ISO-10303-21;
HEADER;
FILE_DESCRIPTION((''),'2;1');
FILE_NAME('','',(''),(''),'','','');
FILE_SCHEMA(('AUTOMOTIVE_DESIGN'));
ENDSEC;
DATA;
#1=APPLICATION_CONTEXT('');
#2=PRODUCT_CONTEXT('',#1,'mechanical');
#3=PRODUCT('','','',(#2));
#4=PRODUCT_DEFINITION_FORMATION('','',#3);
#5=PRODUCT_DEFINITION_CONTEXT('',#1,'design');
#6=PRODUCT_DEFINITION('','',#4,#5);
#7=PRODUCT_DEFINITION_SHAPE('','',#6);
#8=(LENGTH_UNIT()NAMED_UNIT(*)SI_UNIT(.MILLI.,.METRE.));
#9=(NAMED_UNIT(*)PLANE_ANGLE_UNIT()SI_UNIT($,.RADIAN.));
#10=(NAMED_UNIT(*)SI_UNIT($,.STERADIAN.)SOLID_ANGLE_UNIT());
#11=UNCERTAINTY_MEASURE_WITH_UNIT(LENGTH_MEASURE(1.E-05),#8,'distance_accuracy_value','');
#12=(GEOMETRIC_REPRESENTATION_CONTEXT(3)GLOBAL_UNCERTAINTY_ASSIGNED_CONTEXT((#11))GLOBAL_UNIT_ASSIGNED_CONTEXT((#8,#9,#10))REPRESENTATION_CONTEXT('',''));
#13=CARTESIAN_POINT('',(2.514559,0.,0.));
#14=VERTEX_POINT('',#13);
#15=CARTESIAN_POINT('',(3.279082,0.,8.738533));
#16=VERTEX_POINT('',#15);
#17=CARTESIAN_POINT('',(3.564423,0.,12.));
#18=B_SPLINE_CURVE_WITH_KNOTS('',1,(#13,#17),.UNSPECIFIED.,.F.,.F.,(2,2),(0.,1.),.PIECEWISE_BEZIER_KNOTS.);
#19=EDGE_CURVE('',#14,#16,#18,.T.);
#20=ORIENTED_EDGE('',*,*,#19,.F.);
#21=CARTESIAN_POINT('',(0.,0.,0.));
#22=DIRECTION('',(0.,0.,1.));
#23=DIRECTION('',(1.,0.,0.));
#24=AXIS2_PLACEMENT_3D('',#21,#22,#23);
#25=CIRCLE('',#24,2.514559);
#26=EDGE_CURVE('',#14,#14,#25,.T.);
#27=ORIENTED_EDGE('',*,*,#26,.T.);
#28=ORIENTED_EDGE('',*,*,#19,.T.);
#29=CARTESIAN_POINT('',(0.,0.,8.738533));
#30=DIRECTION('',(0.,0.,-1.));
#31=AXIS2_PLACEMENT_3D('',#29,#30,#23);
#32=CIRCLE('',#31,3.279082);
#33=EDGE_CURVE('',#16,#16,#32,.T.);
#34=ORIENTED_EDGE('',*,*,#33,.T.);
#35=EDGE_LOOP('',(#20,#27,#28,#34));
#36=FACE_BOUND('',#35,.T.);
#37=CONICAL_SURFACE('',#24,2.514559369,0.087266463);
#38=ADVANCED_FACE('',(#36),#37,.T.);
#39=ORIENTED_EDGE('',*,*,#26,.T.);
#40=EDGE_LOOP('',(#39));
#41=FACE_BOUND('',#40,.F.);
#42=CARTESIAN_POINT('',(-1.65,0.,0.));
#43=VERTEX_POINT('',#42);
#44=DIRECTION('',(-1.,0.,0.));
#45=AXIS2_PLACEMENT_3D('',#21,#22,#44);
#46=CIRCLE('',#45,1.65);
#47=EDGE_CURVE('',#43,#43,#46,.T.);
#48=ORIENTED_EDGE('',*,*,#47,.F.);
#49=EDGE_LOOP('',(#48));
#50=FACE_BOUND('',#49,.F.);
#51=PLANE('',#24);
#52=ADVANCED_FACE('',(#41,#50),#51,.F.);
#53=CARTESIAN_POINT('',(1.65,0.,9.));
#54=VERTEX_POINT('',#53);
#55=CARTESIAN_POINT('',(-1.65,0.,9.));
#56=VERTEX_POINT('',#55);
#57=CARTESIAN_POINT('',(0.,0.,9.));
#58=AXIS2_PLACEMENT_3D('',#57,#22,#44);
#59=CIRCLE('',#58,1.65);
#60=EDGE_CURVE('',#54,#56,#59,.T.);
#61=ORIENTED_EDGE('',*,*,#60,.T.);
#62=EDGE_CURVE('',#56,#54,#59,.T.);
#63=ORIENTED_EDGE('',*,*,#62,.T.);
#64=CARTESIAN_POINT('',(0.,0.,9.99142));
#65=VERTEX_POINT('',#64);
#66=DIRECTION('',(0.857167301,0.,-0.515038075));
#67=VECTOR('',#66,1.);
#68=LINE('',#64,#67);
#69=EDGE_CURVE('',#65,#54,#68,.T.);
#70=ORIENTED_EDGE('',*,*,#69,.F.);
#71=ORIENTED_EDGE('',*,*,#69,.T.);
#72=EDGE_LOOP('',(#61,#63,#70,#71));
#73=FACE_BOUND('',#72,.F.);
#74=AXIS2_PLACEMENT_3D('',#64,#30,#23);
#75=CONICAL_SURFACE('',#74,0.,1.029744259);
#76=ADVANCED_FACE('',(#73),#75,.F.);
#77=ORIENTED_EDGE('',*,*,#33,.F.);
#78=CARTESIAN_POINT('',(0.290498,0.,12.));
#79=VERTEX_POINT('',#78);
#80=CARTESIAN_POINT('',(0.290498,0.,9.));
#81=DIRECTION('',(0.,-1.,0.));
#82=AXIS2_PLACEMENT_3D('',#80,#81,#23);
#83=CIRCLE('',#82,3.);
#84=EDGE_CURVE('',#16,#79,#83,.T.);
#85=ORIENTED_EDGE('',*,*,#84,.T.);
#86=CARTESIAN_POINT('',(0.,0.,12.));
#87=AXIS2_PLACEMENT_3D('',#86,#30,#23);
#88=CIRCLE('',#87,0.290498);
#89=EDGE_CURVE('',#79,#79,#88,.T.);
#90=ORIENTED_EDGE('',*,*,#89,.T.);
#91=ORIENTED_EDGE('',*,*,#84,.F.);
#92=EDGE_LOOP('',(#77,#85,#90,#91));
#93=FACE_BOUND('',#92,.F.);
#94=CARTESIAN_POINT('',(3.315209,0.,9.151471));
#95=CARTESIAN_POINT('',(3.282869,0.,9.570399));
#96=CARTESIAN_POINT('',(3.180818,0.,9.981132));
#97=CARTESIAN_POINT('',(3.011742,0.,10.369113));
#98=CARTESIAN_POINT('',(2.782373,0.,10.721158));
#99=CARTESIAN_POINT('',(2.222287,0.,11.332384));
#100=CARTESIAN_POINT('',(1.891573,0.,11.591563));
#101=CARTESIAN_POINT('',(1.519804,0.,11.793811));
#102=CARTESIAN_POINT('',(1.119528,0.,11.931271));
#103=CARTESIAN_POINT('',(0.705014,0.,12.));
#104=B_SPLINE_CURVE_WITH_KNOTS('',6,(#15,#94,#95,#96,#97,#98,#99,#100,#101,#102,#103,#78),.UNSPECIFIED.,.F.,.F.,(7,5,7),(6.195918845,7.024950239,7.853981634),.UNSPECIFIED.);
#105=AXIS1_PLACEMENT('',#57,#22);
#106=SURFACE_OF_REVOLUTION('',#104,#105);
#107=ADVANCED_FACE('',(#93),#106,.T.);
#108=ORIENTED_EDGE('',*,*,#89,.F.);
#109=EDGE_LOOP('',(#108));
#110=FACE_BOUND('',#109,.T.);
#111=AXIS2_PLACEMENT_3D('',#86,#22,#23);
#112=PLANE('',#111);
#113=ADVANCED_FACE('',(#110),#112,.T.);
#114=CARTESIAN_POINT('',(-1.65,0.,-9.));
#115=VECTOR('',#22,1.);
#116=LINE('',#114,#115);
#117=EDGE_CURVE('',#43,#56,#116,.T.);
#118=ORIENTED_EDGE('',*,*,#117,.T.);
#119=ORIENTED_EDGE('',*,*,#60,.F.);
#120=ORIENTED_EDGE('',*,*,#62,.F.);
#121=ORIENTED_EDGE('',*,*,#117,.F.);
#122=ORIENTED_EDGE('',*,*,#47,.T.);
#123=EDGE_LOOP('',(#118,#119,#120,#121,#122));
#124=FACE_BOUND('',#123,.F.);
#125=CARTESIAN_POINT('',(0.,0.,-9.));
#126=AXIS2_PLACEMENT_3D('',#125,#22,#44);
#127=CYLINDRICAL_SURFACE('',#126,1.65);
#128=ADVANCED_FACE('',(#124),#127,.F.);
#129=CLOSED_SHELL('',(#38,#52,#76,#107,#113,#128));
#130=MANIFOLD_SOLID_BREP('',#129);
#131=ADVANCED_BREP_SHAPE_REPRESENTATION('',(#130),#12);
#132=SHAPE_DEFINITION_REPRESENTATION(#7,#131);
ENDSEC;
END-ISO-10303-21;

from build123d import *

# Parameters (mm, degrees)
F0_R     = 2.514559369
F1_DEPTH = 12
F1_TAPER = -5
F2_R     = 3
F4_D     = 3.3
F4_DEPTH = 9
F4_TIP   = 0.9914200214


with BuildPart() as f1:
    # F0 (on Top) → F1 (new body)
    with BuildSketch(Plane.XY):
        Circle(F0_R)
    extrude(amount=F1_DEPTH, taper=F1_TAPER)

    # F2
    f2_edges = [f1.edges().sort_by_distance(p)[0] for p in [
        (-3.564423, 0, 12),
    ]]
    fillet(f2_edges, radius=F2_R)

    # F4
    with Locations(Plane(origin=(0, 0, 0), x_dir=(1, 0, 0), z_dir=(0, 0, -1))):
        with Locations((0, 0)):
            Hole(F4_D / 2, depth=F4_DEPTH)
            with Locations((0, 0, -(F4_DEPTH + F4_TIP / 2))):  # 118° drill point
                Cone(0, F4_D / 2, F4_TIP, mode=Mode.SUBTRACT)


solid = f1.part
